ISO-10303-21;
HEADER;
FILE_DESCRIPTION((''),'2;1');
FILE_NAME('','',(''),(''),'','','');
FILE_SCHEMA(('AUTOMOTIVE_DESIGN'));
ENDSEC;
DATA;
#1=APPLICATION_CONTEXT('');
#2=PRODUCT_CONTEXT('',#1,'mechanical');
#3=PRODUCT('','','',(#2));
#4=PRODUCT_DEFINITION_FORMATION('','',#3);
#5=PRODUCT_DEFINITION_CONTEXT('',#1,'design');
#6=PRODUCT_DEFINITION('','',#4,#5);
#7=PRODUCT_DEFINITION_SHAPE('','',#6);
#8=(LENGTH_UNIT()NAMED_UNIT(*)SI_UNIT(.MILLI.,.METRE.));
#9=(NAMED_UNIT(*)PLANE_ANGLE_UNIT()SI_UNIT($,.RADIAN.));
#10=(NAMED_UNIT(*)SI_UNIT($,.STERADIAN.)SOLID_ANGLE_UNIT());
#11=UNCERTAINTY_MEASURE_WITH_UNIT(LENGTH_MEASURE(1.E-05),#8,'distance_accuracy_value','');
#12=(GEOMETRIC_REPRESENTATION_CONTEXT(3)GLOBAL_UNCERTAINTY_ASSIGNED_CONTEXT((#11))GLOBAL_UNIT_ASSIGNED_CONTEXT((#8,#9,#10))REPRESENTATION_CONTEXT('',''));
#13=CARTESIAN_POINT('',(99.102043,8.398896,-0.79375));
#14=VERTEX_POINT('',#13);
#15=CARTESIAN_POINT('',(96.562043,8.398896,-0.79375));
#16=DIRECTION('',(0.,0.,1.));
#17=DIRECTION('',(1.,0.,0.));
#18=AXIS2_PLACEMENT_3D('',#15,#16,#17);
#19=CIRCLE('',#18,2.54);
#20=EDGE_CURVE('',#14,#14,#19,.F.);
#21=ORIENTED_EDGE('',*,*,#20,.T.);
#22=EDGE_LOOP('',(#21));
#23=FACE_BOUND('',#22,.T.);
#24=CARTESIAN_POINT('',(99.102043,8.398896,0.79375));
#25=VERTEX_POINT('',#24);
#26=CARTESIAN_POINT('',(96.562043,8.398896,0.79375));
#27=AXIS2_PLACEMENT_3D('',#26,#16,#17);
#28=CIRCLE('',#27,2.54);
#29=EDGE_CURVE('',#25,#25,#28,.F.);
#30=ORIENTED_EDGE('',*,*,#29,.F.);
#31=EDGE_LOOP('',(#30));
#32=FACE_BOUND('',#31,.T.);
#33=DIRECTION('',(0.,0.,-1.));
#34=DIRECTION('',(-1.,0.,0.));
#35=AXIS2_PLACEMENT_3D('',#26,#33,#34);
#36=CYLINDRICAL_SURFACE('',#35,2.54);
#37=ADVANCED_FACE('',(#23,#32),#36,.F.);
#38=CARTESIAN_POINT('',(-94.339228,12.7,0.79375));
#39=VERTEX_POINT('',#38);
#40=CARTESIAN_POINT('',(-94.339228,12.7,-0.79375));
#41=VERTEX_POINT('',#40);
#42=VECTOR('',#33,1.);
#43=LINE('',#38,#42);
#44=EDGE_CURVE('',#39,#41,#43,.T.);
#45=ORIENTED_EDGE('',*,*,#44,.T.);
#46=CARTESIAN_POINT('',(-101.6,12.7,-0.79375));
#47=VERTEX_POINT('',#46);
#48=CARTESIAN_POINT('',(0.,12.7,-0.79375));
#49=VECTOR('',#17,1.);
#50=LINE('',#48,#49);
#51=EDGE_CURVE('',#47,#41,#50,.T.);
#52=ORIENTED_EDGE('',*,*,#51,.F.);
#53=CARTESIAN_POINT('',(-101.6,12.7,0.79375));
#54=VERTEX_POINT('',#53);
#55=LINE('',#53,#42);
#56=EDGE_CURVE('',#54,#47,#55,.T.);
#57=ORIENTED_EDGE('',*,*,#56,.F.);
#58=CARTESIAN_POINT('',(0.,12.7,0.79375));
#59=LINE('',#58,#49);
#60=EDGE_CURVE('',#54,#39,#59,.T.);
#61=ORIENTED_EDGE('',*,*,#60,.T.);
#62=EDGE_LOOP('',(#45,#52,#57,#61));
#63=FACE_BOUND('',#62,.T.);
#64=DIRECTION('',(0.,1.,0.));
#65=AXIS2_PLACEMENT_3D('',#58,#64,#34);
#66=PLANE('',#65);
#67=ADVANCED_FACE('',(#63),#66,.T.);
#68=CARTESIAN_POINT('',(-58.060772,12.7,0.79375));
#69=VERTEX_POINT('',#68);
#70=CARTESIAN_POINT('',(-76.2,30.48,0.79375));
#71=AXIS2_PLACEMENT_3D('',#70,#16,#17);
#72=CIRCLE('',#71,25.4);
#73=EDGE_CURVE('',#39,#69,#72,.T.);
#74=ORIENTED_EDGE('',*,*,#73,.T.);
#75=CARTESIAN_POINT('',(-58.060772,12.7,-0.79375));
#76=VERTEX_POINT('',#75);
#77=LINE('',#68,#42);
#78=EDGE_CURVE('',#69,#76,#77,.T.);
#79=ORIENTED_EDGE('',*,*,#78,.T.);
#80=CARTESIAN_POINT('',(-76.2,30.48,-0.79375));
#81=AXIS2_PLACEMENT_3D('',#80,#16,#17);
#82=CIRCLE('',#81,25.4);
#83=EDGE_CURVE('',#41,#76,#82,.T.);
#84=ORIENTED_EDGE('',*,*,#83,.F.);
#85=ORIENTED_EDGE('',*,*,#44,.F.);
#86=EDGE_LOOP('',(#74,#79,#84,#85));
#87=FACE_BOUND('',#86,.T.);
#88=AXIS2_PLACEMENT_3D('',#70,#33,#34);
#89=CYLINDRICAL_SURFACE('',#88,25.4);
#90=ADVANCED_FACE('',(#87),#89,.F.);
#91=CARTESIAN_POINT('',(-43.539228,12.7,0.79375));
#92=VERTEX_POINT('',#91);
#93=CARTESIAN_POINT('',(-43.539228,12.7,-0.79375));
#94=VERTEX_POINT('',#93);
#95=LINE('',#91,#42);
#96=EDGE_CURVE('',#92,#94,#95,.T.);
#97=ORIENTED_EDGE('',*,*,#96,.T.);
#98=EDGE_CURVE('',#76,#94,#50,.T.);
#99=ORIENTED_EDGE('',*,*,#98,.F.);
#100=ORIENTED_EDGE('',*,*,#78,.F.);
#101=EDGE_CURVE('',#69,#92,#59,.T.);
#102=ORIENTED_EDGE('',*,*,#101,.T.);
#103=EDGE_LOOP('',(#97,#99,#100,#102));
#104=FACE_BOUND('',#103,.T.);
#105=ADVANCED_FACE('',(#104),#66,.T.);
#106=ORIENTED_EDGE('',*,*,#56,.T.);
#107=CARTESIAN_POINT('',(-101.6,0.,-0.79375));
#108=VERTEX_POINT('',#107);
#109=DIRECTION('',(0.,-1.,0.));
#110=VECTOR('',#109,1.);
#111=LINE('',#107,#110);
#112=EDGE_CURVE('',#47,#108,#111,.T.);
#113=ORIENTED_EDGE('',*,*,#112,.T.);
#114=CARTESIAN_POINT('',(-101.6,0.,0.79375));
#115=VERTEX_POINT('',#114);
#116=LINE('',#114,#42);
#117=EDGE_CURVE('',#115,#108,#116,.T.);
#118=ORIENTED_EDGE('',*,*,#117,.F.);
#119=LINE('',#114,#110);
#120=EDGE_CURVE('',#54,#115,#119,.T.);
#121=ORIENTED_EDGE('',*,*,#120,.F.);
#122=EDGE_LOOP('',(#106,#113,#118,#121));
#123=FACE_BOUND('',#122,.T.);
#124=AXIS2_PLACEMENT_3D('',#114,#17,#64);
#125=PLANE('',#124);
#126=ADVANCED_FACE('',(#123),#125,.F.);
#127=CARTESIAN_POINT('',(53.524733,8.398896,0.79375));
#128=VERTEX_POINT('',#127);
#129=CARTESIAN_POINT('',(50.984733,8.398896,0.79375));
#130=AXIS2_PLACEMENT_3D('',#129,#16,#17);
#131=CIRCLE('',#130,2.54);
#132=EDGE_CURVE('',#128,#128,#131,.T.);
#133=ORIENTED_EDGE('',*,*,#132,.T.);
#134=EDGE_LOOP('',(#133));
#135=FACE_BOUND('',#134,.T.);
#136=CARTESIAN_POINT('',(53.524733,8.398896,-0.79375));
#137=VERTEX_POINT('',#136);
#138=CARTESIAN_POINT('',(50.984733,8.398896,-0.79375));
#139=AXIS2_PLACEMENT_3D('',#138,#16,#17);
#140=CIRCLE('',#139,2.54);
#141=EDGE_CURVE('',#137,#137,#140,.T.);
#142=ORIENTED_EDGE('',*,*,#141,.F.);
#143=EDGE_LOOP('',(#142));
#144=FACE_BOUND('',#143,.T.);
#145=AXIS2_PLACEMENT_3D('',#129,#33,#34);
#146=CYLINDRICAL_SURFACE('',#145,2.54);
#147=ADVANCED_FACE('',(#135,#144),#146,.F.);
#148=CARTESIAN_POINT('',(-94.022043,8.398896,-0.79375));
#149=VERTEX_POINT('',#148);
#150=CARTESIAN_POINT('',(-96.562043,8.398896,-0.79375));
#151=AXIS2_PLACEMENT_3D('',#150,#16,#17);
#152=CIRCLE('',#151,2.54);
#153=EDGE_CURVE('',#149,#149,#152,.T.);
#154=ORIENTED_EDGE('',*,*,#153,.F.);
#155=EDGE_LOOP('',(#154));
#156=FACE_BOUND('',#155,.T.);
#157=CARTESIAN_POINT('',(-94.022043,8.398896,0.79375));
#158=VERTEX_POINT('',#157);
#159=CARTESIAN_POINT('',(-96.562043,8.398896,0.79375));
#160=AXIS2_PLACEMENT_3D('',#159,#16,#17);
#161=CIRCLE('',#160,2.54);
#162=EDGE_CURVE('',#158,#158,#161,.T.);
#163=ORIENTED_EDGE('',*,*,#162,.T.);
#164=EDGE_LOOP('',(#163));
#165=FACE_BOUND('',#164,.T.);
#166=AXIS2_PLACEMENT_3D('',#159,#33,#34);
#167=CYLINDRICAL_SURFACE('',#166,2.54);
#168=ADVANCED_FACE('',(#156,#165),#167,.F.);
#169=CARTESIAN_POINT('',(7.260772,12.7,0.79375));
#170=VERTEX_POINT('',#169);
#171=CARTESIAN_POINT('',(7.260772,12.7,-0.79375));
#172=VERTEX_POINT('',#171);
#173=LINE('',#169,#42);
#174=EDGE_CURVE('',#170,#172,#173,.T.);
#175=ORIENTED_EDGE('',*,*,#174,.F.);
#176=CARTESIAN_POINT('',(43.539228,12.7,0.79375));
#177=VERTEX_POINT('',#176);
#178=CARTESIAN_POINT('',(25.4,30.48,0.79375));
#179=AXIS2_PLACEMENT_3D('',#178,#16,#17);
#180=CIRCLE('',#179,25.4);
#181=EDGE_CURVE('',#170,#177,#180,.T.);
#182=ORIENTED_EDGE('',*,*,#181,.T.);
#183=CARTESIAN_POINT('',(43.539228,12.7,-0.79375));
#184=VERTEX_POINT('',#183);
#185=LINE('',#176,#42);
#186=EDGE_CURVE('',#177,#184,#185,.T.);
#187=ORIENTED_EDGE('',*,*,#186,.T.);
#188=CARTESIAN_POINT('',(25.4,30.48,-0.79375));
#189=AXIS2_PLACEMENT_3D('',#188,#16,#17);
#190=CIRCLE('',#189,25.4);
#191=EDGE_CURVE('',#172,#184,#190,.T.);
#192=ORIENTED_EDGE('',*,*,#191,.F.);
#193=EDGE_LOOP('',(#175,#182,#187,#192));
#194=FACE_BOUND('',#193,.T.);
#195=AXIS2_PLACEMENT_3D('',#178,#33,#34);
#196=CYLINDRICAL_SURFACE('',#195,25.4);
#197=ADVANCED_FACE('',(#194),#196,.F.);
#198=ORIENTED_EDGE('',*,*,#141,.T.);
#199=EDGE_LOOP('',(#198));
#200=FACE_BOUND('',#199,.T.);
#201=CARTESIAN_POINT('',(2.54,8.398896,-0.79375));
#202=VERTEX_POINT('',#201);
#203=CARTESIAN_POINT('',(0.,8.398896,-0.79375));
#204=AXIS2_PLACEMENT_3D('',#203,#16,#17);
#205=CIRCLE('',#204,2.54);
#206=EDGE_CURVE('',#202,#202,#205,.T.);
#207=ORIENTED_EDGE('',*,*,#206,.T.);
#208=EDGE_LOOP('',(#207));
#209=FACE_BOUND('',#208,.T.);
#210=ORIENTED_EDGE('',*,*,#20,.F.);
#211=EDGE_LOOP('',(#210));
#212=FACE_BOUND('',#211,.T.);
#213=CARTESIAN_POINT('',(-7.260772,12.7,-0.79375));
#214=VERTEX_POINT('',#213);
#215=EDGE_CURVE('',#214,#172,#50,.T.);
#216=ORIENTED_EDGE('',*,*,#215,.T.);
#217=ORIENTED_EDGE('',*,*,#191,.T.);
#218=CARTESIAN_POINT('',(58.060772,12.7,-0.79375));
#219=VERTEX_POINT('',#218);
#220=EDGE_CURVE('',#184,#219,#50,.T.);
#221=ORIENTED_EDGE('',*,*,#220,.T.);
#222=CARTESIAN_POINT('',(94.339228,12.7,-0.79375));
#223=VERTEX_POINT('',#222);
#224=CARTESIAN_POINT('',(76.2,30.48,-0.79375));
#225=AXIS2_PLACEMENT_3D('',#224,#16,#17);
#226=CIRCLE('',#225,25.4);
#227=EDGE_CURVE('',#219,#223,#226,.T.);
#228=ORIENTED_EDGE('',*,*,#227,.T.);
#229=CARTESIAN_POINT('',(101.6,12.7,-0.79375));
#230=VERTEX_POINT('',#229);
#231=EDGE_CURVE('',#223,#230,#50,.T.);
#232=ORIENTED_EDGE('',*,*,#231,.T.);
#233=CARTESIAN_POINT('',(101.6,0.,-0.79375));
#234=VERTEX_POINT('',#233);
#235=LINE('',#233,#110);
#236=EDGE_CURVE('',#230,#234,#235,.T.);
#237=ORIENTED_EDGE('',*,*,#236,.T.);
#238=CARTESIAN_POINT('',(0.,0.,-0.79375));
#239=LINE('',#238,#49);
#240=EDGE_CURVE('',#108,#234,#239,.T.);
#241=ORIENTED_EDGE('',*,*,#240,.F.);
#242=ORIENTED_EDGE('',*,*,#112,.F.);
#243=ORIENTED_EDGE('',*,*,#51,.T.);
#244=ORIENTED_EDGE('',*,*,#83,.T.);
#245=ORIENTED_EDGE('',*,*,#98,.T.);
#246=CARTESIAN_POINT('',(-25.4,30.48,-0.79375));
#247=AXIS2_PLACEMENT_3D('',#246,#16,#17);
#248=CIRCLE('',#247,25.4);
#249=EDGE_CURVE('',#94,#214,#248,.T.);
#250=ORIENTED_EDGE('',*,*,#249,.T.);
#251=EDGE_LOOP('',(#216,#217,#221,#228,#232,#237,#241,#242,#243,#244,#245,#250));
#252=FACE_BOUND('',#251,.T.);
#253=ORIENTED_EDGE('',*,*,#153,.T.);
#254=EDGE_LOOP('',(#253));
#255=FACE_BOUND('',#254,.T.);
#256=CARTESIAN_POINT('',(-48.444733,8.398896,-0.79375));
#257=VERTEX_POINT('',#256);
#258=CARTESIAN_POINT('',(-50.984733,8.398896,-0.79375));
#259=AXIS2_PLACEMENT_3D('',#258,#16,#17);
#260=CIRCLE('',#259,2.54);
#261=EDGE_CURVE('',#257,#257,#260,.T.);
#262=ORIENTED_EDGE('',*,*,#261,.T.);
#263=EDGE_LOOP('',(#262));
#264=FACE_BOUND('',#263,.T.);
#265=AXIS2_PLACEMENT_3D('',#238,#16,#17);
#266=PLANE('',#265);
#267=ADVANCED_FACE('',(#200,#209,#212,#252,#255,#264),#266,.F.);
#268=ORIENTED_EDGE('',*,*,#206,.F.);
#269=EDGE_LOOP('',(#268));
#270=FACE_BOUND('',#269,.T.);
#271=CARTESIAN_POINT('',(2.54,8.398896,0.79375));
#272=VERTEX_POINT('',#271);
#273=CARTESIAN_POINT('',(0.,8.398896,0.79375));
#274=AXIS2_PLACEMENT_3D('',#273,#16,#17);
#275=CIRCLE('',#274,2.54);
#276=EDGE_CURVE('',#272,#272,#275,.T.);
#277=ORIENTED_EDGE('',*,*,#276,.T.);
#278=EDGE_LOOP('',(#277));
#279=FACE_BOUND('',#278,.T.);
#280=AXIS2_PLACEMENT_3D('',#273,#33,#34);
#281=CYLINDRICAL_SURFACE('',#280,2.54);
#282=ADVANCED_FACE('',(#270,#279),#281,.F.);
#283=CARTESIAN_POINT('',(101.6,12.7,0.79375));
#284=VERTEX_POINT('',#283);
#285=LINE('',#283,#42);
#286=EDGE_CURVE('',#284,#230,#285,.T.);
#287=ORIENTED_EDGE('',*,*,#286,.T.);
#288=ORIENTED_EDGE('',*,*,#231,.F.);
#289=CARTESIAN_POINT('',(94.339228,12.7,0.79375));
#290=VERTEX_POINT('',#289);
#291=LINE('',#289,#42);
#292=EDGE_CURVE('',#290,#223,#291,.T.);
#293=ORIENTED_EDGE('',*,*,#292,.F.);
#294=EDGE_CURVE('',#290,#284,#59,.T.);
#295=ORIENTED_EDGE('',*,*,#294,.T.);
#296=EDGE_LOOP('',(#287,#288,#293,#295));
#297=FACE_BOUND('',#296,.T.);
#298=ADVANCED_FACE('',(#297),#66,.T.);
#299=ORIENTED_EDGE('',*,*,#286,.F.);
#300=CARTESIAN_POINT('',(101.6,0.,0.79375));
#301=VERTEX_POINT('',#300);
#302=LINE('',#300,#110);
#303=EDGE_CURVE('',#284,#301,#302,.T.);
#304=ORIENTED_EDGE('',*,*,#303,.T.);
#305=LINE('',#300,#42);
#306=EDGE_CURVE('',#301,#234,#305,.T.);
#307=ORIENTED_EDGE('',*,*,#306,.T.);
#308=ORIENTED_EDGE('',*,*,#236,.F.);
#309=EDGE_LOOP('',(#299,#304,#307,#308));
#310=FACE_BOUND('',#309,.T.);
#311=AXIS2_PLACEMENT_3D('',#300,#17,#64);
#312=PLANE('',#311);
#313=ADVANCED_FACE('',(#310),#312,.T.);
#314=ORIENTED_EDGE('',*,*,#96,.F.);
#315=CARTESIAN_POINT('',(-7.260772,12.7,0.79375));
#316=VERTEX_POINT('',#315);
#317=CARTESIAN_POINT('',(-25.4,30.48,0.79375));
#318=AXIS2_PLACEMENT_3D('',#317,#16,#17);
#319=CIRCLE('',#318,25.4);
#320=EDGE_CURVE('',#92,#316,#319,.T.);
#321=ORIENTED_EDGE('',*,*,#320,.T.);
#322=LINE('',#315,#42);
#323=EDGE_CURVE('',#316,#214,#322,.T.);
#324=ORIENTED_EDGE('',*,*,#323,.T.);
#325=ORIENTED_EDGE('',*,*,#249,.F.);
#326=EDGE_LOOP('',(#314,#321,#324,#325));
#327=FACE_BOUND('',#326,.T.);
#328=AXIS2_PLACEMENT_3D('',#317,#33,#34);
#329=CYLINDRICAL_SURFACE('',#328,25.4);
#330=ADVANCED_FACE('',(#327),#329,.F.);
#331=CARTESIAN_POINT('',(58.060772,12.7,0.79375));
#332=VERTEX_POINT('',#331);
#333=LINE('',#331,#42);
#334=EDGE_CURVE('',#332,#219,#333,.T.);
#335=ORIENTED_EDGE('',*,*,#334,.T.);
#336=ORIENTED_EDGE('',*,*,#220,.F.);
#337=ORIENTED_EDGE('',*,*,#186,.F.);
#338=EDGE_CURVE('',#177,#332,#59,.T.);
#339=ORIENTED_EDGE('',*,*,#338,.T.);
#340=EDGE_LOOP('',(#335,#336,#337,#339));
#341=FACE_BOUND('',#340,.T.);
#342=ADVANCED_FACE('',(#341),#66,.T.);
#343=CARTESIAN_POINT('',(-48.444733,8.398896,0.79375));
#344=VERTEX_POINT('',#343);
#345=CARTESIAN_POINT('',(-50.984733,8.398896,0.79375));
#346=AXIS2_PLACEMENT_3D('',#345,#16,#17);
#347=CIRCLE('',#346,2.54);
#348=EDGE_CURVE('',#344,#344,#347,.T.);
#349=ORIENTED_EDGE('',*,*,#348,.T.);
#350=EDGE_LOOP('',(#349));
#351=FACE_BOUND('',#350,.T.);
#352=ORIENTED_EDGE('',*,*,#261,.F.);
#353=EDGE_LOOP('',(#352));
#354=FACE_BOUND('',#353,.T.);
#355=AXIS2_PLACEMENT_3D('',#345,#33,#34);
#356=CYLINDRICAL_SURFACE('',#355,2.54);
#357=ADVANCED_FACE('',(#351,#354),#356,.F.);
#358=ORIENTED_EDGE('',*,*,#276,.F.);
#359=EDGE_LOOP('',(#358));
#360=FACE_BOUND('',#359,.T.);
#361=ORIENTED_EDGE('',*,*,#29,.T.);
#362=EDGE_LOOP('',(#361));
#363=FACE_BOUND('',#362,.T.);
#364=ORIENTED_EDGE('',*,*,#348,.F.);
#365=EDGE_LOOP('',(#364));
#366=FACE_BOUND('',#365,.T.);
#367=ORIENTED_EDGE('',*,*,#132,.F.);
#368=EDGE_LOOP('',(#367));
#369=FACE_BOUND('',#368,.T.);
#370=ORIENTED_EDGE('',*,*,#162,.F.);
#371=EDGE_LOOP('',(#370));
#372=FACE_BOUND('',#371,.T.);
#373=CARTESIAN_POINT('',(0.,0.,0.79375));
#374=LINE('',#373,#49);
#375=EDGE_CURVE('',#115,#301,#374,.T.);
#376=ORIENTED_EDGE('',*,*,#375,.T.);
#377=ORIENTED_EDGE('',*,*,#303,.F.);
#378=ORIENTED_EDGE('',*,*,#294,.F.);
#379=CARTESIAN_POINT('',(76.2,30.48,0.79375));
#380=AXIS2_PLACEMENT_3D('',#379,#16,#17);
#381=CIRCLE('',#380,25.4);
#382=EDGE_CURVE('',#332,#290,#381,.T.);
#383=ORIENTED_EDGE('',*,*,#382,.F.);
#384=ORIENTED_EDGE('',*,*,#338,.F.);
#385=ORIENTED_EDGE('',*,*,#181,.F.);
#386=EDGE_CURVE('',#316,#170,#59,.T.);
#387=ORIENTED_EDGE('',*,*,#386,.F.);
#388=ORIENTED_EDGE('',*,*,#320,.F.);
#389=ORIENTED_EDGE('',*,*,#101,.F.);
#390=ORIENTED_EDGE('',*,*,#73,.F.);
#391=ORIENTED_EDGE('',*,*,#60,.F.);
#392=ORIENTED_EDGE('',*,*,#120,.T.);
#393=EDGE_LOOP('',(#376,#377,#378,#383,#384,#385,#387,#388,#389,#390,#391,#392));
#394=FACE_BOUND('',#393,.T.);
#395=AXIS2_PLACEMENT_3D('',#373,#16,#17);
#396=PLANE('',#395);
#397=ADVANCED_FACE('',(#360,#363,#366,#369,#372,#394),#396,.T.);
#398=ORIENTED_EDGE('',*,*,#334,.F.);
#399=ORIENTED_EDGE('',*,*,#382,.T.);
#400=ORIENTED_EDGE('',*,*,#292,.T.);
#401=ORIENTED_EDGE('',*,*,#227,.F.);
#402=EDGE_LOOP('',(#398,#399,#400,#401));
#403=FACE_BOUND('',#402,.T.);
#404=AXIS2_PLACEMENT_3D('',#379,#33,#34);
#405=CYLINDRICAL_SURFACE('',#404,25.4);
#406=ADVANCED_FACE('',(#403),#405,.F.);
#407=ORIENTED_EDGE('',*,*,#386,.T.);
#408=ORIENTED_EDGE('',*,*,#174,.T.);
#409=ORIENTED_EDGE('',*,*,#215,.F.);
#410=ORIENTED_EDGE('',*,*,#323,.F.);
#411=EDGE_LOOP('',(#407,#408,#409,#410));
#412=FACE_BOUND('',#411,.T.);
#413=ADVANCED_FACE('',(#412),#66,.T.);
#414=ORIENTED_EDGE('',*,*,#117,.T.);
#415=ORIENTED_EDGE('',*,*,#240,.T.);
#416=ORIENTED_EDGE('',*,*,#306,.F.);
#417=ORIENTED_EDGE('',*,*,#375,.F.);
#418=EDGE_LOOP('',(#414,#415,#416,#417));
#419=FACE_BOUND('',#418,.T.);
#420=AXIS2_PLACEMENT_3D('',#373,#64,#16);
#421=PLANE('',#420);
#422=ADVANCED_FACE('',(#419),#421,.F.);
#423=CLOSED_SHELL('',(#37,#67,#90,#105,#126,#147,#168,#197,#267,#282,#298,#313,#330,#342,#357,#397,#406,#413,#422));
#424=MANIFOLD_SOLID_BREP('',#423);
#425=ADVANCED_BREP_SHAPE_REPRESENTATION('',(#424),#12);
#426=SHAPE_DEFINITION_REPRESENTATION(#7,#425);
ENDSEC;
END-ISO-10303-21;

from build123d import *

# Parameters (mm, degrees)
SKETCH1_R           = 2.54
BOSS_EXTRUDE1_DEPTH = 0.79375


with BuildPart() as part:
    # Sketch1 → Boss-Extrude1 (new, symmetric)
    # profile 1 of 2: a face of its own
    with BuildSketch(Plane.XY):
        with BuildLine():
            Line((0, 10.938896076), (0, 12.7))
            Line((0, 12.7), (-7.260771792, 12.7))
            ThreePointArc((-7.260771792, 12.7), (-25.4, 5.08), (-43.539228208, 12.7))
            Line((-43.539228208, 12.7), (-58.060771792, 12.7))
            ThreePointArc((-58.060771792, 12.7), (-76.2, 5.08), (-94.339228208, 12.7))
            Line((-94.339228208, 12.7), (-101.6, 12.7))
            Line((-101.6, 12.7), (-101.6, 0))
            Line((-101.6, 0), (0, 0))
            Line((0, 0), (0, 5.858896076))
            ThreePointArc((0, 5.858896076), (-2.54, 8.398896076), (0, 10.938896076))
        make_face()
        with Locations((-96.562042846, 8.398896076)):
            Circle(SKETCH1_R, mode=Mode.SUBTRACT)
        with Locations((-50.984733006, 8.398896076)):
            Circle(SKETCH1_R, mode=Mode.SUBTRACT)
    # profile 2 of 2: a face of its own
    with BuildSketch(Plane.XY):
        with BuildLine():
            Line((7.260771792, 12.7), (0, 12.7))
            Line((0, 12.7), (0, 10.938896076))
            ThreePointArc((0, 10.938896076), (1.796051224, 10.1949473), (2.54, 8.398896076))
            ThreePointArc((2.54, 8.398896076), (1.796051224, 6.602844851), (0, 5.858896076))
            Line((0, 5.858896076), (0, 0))
            Line((0, 0), (101.6, 0))
            Line((101.6, 0), (101.6, 12.7))
            Line((101.6, 12.7), (94.339228208, 12.7))
            ThreePointArc((94.339228208, 12.7), (76.2, 5.08), (58.060771792, 12.7))
            Line((58.060771792, 12.7), (43.539228208, 12.7))
            ThreePointArc((43.539228208, 12.7), (25.4, 5.08), (7.260771792, 12.7))
        make_face()
        with Locations((50.984733006, 8.398896076)):
            Circle(SKETCH1_R, mode=Mode.SUBTRACT)
        with Locations((96.562042846, 8.398896076)):
            Circle(SKETCH1_R, mode=Mode.SUBTRACT)
    extrude(amount=BOSS_EXTRUDE1_DEPTH, both=True)


solid = part.part
